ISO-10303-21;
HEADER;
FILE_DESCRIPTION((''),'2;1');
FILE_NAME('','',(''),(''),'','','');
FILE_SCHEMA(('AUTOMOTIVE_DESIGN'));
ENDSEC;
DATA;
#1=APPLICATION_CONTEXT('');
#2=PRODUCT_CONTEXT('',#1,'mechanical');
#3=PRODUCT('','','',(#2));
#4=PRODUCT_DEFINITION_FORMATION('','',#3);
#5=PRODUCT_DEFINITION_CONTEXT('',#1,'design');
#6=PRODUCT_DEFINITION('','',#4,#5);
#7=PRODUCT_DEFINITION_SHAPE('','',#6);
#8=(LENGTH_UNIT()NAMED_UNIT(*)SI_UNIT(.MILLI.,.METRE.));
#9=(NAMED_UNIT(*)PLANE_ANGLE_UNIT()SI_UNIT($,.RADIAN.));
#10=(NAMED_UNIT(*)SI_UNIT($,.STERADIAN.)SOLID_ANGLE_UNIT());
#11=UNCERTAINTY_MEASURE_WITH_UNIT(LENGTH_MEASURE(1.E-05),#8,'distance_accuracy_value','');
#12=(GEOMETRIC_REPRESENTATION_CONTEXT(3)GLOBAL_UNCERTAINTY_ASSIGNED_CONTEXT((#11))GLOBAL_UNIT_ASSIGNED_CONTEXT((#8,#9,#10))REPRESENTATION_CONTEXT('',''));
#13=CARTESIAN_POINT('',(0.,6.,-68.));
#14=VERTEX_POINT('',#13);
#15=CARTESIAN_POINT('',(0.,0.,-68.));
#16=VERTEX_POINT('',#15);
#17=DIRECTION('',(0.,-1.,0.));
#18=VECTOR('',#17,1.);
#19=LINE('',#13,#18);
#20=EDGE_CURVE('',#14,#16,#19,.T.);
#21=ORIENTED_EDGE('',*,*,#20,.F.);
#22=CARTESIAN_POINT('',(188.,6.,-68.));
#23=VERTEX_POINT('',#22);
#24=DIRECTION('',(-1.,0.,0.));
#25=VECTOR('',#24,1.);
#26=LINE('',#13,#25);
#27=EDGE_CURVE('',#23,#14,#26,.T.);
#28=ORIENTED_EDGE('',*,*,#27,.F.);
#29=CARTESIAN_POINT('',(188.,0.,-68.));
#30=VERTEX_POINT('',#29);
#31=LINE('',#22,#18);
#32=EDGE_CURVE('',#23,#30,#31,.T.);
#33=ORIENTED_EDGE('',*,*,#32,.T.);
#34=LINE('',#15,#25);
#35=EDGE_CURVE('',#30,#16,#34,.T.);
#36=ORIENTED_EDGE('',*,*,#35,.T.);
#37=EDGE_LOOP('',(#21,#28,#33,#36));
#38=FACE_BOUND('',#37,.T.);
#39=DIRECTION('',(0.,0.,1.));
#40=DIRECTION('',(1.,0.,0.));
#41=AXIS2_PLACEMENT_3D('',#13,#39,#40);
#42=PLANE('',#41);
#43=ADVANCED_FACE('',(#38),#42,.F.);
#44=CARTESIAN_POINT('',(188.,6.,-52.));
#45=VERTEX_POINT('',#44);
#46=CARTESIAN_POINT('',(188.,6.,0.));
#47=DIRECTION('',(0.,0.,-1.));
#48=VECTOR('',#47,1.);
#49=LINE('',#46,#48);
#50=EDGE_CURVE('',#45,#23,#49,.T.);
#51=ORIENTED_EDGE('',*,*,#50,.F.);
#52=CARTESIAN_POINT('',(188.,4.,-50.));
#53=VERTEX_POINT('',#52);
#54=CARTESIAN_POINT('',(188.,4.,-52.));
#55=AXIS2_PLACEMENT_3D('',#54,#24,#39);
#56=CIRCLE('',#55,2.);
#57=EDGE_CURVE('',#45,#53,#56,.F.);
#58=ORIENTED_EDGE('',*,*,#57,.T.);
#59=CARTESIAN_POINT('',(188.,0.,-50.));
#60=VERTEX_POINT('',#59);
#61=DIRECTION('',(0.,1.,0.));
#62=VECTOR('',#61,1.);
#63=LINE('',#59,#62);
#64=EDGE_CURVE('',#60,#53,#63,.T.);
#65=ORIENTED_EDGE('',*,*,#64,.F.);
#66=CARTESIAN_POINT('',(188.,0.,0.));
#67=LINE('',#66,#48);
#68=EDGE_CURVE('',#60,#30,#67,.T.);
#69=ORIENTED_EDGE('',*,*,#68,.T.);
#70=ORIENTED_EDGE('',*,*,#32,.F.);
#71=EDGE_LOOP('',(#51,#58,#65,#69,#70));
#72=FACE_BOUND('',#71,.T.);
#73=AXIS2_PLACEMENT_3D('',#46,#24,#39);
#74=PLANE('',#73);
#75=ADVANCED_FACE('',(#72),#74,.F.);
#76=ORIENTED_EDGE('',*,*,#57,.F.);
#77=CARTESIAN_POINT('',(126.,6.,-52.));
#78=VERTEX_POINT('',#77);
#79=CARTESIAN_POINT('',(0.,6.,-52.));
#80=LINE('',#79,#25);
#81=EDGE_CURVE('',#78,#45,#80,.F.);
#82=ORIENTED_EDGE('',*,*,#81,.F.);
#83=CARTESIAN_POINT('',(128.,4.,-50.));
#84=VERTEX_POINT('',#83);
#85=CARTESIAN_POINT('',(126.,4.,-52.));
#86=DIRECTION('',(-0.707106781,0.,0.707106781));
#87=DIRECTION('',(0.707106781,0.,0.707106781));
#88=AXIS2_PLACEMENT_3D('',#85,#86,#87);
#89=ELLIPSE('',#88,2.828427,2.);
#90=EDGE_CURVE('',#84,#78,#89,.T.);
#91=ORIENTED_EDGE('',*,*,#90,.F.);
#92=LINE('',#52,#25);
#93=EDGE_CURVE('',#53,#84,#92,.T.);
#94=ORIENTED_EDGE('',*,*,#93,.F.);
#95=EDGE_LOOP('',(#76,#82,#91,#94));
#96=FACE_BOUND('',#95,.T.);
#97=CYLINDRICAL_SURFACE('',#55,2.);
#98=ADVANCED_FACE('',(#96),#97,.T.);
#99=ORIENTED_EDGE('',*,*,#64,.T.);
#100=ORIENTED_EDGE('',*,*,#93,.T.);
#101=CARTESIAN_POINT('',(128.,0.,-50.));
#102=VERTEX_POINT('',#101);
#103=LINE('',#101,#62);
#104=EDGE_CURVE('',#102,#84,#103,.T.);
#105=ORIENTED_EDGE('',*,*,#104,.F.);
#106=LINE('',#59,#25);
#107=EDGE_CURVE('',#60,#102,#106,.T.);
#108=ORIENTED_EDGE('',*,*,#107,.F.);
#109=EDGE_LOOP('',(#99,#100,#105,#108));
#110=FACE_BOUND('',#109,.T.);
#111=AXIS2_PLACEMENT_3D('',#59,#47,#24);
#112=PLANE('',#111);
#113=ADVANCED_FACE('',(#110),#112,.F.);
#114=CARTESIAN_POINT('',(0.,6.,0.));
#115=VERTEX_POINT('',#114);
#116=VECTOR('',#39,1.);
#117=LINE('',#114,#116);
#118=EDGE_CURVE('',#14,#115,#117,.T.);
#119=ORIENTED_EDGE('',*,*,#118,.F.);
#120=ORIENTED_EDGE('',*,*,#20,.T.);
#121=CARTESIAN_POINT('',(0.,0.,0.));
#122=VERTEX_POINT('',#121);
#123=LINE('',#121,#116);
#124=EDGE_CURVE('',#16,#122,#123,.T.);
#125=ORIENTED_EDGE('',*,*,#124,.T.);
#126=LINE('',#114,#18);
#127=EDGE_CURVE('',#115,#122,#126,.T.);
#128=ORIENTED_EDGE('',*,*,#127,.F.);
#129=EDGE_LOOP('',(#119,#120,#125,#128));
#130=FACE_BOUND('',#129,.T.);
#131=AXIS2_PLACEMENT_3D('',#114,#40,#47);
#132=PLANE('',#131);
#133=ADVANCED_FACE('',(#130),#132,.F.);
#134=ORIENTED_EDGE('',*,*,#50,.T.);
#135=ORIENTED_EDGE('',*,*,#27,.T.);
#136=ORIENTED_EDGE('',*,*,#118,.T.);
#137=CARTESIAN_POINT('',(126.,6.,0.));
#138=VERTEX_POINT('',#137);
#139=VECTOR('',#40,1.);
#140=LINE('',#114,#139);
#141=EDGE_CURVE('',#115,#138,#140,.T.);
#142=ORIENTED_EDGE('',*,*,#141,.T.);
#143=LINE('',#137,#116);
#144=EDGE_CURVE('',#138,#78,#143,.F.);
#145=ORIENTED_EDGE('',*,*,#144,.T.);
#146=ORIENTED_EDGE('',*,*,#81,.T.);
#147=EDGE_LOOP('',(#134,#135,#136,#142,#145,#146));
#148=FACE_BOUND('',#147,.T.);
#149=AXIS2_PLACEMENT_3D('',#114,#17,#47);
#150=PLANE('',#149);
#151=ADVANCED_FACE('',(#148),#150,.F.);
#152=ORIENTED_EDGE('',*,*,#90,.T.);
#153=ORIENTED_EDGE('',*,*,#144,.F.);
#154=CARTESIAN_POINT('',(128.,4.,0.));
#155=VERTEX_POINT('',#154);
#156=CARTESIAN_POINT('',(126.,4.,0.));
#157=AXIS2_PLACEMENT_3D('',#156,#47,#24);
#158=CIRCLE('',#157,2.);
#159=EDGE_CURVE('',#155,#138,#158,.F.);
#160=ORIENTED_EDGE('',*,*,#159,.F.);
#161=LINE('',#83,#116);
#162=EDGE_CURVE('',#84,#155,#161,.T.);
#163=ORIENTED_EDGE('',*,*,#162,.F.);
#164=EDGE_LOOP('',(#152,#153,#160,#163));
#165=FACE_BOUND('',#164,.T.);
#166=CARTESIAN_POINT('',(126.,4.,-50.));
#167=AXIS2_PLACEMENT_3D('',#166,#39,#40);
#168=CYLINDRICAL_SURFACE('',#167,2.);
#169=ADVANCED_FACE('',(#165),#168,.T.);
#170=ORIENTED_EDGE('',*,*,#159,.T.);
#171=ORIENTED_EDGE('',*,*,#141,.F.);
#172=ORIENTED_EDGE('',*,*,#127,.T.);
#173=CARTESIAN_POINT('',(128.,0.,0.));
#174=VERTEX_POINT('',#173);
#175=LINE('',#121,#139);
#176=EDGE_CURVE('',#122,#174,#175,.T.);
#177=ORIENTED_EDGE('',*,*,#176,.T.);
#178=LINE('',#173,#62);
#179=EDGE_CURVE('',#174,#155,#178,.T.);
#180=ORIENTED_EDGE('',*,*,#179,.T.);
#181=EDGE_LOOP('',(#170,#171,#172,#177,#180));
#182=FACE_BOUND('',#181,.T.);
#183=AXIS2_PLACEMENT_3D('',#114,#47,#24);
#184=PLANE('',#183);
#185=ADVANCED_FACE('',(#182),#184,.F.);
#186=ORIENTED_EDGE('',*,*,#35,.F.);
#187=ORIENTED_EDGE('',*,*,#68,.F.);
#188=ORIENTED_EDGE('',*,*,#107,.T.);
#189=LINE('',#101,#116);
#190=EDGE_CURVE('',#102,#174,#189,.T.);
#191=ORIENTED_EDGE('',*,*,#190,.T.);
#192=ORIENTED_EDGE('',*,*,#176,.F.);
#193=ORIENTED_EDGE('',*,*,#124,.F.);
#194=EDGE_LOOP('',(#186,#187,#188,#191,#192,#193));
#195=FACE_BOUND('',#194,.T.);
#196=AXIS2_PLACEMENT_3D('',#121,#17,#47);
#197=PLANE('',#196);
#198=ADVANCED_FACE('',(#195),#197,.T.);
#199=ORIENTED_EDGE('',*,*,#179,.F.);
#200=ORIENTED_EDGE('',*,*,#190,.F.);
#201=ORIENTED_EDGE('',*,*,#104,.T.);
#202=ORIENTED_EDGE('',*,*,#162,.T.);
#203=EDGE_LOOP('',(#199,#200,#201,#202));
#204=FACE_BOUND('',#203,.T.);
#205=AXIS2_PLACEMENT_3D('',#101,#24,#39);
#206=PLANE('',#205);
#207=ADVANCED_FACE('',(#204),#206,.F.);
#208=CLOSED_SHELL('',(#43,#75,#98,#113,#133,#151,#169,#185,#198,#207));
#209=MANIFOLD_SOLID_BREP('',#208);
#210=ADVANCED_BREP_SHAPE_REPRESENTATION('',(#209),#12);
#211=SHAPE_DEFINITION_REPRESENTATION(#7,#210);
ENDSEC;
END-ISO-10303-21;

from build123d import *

# Parameters (mm, degrees)
SKETCH1_W           = 188
SKETCH1_H           = 68
BOSS_EXTRUDE1_DEPTH = 6
SKETCH2_W           = 60
SKETCH2_H           = 50
CUT_EXTRUDE1_DEPTH  = 201.00999975
FILLET2_R           = 2


with BuildPart() as part:
    # Sketch1 → Boss-Extrude1 (new body)
    with BuildSketch(Plane(origin=(0, 0, 0), x_dir=(1, 0, 0), z_dir=(0, 1, 0))):
        with Locations((94, 34)):
            Rectangle(SKETCH1_W, SKETCH1_H)
    extrude(amount=BOSS_EXTRUDE1_DEPTH)

    # Sketch2 → Cut-Extrude1 (cut, through all)
    with BuildSketch(Plane(origin=(0, 6, 0), x_dir=(1, 0, 0), z_dir=(0, 1, 0))):
        with Locations((158, 25)):
            Rectangle(SKETCH2_W, SKETCH2_H)
    extrude(amount=-CUT_EXTRUDE1_DEPTH, mode=Mode.SUBTRACT)

    # Fillet2
    fillet2_edges = [part.edges().sort_by_distance(p)[0] for p in [
        (158, 6, -50),
        (128, 6, -25),
    ]]
    fillet(fillet2_edges, radius=FILLET2_R)


solid = part.part
